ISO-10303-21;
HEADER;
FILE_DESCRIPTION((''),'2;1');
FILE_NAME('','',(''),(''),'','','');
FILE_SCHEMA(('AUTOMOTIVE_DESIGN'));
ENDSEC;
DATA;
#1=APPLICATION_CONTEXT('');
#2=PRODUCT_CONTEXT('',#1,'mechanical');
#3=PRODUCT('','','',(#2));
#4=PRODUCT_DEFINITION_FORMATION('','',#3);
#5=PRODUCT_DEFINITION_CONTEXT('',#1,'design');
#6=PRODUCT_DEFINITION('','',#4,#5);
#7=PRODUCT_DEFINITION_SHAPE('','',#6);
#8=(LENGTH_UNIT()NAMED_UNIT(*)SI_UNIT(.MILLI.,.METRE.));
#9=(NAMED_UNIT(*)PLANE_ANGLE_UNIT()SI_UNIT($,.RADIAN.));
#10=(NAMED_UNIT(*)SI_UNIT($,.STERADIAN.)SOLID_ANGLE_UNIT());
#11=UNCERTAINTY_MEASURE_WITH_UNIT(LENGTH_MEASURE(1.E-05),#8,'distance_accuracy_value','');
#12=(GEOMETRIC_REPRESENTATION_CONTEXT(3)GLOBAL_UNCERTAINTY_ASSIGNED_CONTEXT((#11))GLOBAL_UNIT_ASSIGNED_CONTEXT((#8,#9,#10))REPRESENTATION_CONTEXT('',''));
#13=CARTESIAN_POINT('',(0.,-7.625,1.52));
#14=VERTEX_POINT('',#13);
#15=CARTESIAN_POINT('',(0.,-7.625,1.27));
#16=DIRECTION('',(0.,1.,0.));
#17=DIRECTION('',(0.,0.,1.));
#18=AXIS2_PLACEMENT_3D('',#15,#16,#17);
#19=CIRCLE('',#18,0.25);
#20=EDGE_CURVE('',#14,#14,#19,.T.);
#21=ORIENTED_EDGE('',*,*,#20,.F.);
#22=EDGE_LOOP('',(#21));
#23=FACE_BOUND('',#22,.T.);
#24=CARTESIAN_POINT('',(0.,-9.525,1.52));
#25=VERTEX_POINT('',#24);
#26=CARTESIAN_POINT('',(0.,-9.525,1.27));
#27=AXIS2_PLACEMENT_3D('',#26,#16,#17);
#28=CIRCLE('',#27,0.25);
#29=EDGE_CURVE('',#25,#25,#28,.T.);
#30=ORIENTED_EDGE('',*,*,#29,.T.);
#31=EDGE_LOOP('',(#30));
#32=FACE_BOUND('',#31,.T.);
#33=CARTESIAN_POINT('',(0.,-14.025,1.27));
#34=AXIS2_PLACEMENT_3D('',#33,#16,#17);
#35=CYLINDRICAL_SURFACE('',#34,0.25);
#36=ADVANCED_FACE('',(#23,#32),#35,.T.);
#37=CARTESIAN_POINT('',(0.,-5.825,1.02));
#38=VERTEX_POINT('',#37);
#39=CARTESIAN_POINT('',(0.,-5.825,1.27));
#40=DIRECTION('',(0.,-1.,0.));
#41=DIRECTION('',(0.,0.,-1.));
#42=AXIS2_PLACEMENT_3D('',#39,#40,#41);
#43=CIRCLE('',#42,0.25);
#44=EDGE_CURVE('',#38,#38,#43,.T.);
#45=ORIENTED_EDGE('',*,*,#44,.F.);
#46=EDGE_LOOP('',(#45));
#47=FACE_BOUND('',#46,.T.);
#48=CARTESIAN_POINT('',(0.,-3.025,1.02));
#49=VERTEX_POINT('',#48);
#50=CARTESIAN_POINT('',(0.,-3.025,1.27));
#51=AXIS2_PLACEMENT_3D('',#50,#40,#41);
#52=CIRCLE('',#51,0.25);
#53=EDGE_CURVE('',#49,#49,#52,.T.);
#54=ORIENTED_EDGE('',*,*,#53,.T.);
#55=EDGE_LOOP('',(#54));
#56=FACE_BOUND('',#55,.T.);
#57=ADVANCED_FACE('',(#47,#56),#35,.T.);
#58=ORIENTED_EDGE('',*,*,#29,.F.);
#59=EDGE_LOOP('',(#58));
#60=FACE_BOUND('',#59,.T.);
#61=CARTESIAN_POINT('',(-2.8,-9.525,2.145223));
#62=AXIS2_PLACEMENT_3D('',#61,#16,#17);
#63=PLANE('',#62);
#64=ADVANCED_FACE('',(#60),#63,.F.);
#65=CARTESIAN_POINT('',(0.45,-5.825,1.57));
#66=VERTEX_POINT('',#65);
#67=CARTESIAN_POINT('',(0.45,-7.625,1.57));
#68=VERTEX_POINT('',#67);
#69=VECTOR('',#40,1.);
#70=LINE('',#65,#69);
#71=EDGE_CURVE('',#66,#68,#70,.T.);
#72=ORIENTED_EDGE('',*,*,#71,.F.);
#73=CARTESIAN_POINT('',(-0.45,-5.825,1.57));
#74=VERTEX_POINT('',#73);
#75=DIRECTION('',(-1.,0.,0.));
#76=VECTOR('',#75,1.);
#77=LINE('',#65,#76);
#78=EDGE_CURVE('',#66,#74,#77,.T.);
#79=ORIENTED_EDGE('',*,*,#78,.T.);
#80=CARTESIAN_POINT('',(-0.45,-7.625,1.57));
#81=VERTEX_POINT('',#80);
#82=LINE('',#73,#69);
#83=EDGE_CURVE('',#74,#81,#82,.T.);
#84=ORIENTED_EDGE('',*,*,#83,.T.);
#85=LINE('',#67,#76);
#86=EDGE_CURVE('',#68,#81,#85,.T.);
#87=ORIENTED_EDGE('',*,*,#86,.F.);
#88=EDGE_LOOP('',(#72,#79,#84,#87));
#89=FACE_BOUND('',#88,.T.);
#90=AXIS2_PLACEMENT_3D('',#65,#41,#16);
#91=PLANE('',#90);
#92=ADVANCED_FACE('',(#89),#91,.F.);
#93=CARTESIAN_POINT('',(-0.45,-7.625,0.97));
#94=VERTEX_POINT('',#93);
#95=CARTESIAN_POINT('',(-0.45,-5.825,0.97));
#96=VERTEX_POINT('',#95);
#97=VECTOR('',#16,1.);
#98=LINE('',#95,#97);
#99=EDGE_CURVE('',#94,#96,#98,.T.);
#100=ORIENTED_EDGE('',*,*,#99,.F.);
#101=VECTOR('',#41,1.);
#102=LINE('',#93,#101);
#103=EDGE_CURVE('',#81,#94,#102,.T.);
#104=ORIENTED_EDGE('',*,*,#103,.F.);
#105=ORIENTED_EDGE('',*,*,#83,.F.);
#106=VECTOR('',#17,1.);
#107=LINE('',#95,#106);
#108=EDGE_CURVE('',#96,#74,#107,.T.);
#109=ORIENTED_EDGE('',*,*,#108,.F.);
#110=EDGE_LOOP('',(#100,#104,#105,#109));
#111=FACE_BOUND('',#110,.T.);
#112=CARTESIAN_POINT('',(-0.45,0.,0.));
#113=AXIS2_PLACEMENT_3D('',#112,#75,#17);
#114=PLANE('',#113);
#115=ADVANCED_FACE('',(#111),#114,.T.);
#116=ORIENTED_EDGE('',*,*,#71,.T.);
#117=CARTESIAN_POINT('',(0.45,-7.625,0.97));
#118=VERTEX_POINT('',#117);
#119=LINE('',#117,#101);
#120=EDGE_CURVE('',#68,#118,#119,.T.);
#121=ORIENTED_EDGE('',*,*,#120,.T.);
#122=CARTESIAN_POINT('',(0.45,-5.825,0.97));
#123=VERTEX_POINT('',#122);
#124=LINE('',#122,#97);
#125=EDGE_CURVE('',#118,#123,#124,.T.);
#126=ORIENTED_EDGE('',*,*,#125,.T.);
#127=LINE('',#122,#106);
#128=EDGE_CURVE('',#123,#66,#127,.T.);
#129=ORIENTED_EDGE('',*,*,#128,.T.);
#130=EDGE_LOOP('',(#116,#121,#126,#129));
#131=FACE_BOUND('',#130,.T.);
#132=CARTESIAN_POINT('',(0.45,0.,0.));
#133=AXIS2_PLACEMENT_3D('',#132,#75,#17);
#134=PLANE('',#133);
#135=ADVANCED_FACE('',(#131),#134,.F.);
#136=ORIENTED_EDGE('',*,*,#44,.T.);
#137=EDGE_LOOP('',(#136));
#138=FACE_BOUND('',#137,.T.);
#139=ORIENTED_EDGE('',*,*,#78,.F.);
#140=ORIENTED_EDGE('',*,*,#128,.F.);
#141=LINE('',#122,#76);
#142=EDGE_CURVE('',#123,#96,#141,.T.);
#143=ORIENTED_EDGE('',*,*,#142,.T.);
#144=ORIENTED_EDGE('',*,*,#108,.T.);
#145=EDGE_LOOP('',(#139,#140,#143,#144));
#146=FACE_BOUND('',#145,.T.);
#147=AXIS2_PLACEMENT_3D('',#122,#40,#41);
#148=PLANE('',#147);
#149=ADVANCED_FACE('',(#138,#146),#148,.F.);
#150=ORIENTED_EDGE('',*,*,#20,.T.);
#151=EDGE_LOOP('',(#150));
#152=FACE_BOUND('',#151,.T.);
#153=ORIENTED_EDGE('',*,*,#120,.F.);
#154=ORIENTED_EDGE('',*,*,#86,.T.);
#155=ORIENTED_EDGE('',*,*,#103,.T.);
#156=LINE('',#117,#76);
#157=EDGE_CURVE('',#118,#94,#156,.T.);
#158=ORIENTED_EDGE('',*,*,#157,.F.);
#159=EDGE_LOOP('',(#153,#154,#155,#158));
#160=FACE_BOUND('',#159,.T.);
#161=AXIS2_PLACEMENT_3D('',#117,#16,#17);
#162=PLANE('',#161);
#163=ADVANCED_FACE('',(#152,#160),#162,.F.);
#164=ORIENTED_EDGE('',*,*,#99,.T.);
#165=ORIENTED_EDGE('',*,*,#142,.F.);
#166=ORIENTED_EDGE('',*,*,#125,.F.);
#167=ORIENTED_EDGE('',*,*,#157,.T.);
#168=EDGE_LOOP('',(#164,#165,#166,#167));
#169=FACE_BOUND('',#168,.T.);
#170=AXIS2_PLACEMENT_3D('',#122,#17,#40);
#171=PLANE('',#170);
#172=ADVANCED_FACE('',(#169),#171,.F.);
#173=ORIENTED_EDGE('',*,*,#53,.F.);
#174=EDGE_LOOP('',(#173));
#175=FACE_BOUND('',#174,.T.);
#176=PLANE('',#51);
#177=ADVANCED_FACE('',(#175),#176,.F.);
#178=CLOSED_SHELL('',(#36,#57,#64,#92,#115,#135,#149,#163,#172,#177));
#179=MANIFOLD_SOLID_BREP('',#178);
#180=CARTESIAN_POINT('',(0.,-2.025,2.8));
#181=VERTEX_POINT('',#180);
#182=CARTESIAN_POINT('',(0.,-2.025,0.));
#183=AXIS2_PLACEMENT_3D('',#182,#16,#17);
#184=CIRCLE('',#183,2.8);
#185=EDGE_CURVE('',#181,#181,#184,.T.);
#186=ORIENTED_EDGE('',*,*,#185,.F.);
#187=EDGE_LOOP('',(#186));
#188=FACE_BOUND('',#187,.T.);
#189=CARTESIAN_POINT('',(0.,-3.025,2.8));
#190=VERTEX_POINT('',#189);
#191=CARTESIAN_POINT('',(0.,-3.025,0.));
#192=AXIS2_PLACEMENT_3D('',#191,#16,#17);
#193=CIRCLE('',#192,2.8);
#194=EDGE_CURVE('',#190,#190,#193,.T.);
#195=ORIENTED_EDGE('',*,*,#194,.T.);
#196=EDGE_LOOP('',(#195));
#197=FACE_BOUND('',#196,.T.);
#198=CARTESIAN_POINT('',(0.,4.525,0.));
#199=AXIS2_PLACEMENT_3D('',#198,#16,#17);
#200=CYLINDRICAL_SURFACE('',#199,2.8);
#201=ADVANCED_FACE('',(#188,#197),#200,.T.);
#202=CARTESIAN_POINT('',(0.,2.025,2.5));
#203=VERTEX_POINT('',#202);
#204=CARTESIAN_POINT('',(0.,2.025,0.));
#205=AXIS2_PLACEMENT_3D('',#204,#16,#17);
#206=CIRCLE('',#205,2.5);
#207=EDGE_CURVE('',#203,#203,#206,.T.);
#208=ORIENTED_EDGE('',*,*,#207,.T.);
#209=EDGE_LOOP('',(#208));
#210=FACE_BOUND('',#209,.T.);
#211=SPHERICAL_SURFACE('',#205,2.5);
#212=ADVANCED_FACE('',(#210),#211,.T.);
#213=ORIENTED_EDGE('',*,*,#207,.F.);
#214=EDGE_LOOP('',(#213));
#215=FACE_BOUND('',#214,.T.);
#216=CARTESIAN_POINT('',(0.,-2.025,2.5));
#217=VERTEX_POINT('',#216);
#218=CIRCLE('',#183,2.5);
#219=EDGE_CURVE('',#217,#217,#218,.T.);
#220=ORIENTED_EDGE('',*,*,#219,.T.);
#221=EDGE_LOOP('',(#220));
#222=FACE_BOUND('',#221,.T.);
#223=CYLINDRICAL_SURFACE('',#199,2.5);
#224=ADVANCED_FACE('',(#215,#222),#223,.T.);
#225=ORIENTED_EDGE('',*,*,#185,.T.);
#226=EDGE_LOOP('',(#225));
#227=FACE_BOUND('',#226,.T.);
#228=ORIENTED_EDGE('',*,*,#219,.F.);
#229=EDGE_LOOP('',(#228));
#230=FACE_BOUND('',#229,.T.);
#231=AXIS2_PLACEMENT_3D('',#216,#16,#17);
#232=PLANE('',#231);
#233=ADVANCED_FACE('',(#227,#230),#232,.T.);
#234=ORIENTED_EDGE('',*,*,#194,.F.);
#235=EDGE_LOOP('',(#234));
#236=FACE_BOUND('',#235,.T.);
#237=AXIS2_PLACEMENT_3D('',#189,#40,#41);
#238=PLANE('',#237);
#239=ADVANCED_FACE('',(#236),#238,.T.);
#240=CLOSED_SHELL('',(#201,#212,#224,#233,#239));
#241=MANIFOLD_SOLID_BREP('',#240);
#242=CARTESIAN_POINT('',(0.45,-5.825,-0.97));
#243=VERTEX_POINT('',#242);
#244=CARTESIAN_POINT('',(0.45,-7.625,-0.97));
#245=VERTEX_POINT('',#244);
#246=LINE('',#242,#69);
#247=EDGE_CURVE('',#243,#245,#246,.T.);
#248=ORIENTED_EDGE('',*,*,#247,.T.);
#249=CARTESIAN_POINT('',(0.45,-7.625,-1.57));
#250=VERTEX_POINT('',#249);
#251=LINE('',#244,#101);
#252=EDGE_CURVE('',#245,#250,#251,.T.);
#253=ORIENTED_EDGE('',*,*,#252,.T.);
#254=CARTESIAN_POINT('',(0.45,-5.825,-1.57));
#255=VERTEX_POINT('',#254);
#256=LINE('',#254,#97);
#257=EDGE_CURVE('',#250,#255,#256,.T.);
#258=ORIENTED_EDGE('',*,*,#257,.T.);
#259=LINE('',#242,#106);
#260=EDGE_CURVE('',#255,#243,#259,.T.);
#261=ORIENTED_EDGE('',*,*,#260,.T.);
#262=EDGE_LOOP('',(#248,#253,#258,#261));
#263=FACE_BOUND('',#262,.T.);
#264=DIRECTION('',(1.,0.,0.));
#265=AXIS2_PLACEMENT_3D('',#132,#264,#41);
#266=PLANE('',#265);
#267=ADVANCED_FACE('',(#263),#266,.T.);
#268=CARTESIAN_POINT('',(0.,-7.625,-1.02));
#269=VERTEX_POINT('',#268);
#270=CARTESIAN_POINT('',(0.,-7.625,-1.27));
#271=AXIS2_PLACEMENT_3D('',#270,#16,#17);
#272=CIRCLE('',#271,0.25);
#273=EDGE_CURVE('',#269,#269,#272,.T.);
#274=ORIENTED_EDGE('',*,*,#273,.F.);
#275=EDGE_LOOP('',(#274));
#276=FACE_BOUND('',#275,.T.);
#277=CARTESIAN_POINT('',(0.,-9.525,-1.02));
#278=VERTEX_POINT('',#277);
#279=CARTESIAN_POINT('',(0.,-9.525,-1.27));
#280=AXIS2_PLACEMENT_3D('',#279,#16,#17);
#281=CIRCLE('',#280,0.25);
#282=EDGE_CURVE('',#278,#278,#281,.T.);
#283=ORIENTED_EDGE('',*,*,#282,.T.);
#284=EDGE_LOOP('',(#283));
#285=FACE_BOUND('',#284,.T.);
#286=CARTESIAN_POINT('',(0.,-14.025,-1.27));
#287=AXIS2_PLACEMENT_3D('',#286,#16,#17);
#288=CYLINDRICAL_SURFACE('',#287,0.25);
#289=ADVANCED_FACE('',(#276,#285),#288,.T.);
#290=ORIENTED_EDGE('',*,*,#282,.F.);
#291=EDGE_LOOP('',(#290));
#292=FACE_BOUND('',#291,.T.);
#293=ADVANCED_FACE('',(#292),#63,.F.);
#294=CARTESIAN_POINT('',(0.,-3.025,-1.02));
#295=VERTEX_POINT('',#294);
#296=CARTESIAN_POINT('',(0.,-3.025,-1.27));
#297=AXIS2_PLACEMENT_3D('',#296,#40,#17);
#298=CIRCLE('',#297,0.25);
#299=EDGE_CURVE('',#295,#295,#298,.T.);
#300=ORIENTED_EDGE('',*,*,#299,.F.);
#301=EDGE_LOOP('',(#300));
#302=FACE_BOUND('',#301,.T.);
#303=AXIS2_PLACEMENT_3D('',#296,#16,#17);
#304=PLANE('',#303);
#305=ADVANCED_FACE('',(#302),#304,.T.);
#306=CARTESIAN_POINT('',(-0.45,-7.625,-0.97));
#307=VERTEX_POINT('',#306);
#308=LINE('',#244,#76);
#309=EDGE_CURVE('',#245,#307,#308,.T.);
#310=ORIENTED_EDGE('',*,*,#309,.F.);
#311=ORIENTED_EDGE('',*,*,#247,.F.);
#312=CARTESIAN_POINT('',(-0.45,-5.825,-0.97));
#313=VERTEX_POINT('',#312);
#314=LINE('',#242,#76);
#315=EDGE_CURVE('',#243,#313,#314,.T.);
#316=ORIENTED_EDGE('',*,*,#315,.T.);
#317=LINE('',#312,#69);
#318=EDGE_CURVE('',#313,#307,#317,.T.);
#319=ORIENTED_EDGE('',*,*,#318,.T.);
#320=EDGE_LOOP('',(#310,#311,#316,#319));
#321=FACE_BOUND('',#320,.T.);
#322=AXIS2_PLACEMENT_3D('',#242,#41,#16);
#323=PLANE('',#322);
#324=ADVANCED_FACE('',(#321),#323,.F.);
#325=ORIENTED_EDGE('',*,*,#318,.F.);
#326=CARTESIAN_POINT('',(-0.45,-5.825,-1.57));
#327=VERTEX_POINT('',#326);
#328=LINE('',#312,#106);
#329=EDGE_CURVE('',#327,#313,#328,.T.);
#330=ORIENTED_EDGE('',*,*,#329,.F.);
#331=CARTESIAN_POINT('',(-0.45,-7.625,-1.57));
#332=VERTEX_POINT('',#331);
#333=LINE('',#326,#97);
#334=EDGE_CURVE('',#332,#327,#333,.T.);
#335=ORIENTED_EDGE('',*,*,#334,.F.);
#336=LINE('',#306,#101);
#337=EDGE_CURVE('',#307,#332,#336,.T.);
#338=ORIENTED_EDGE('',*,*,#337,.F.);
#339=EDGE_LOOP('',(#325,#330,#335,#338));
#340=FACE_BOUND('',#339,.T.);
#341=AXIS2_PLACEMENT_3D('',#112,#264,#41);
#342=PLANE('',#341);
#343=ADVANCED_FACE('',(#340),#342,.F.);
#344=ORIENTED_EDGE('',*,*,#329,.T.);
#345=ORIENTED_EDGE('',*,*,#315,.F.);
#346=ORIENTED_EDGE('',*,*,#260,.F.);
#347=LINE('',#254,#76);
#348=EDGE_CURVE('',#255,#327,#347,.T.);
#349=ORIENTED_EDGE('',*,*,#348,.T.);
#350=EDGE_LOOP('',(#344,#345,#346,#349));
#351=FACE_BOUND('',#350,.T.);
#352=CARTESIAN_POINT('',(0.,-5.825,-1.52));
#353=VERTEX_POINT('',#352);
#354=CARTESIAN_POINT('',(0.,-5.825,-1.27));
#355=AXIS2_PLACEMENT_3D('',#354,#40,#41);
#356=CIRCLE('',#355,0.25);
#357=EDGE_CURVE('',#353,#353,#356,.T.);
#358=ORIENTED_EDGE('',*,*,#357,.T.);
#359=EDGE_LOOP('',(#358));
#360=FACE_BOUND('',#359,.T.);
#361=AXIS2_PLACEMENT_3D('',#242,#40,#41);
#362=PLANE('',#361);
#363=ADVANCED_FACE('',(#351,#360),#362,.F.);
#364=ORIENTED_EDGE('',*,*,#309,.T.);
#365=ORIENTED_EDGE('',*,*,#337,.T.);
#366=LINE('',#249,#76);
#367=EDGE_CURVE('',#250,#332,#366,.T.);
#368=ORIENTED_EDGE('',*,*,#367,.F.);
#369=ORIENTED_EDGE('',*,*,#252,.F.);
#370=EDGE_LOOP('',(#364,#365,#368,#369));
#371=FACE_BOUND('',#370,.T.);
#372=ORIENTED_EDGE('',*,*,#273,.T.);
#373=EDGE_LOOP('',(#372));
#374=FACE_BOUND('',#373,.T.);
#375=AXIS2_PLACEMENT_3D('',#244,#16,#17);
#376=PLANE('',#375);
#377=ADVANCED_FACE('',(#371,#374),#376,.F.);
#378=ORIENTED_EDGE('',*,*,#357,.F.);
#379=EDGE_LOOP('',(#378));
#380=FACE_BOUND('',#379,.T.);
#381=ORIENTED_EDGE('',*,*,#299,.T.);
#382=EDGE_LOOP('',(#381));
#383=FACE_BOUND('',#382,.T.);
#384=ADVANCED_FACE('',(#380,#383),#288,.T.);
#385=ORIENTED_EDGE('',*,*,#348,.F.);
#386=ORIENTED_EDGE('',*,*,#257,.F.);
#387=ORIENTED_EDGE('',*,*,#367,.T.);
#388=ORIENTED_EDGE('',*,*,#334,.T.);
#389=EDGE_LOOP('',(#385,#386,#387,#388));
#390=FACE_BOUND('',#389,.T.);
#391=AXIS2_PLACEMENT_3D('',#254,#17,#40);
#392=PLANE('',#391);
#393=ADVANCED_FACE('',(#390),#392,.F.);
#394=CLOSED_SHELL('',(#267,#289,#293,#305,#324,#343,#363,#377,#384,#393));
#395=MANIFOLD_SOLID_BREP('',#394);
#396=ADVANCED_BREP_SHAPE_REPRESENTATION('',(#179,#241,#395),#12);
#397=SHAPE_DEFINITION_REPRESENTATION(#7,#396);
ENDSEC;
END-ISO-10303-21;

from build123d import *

# Parameters (mm, degrees)
SKETCH2_R               = 0.25
BOSS_EXTRUDE1_DEPTH     = 11
BOSS_EXTRUDE1_2_DEPTH   = 11
SKETCH3_W               = 0.6
SKETCH3_H               = 1.8
BOSS_EXTRUDE2_DEPTH     = 0.45
CUT_EXTRUDE1_DEPTH      = 15.573284633
CUT_EXTRUDE1_DEPTH_BACK = 15.573284633
SKETCH4_W               = 5.043889868
SKETCH4_H               = 6.467062113


with BuildPart() as part:
    # Sketch1 → Revolve1 (revolve)
    with BuildSketch(Plane(origin=(0, 0, 0), x_dir=(0, 0, -1), z_dir=(1, 0, 0))):
        with BuildLine():
            Line((-2.5, 2.025), (-2.5, -2.025))
            Line((-2.5, -2.025), (-2.8, -2.025))
            Line((-2.8, -2.025), (-2.8, -3.025))
            Line((-2.8, -3.025), (0, -3.025))
            Line((0, -3.025), (0, 4.525))
            ThreePointArc((0, 4.525), (-1.767766953, 3.792766953), (-2.5, 2.025))
        make_face()
    revolve(axis=Axis((0, 4.525, 0), (0, -1, 0)))


with BuildPart() as body_2:
    # Sketch2 → Boss-Extrude1 (new body)
    with BuildSketch(Plane.XZ.offset(3.025)):
        with Locations(Location((0, 1.27, 0), (0, 0, 270))):
            Circle(SKETCH2_R)
    extrude(amount=BOSS_EXTRUDE1_DEPTH)



with BuildPart() as body_3:
    # Sketch2 → Boss-Extrude1 2 (new body)
    with BuildSketch(Plane.XZ.offset(3.025)):
        with Locations(Location((0, -1.27, 0), (0, 0, 90))):
            Circle(SKETCH2_R)
    extrude(amount=BOSS_EXTRUDE1_2_DEPTH)


with BuildPart() as body_2_1:
    add(body_2.part)

    add(body_3.part)  # Boss-Extrude2 merges body 3
    # Sketch3 → Boss-Extrude2 (add, symmetric)
    with BuildSketch(Plane(origin=(0, 0, 0), x_dir=(0, 0, -1), z_dir=(1, 0, 0))):
        with Locations((1.27, -6.725)):
            Rectangle(SKETCH3_W, SKETCH3_H)
        with Locations((-1.27, -6.725)):
            Rectangle(SKETCH3_W, SKETCH3_H)
    extrude(amount=BOSS_EXTRUDE2_DEPTH, both=True)

    # Sketch4 → Cut-Extrude1 (cut, two sides: drawn at the far end of the back side and taken through both)
    with BuildSketch(Plane(origin=(0, 0, 0), x_dir=(0, 0, -1), z_dir=(1, 0, 0)).offset(-CUT_EXTRUDE1_DEPTH_BACK)):
        with Locations((0.376722065, -12.758531057)):
            Rectangle(SKETCH4_W, SKETCH4_H)
    extrude(amount=CUT_EXTRUDE1_DEPTH + CUT_EXTRUDE1_DEPTH_BACK, mode=Mode.SUBTRACT)


solid = Compound([part.part, body_2_1.part])
